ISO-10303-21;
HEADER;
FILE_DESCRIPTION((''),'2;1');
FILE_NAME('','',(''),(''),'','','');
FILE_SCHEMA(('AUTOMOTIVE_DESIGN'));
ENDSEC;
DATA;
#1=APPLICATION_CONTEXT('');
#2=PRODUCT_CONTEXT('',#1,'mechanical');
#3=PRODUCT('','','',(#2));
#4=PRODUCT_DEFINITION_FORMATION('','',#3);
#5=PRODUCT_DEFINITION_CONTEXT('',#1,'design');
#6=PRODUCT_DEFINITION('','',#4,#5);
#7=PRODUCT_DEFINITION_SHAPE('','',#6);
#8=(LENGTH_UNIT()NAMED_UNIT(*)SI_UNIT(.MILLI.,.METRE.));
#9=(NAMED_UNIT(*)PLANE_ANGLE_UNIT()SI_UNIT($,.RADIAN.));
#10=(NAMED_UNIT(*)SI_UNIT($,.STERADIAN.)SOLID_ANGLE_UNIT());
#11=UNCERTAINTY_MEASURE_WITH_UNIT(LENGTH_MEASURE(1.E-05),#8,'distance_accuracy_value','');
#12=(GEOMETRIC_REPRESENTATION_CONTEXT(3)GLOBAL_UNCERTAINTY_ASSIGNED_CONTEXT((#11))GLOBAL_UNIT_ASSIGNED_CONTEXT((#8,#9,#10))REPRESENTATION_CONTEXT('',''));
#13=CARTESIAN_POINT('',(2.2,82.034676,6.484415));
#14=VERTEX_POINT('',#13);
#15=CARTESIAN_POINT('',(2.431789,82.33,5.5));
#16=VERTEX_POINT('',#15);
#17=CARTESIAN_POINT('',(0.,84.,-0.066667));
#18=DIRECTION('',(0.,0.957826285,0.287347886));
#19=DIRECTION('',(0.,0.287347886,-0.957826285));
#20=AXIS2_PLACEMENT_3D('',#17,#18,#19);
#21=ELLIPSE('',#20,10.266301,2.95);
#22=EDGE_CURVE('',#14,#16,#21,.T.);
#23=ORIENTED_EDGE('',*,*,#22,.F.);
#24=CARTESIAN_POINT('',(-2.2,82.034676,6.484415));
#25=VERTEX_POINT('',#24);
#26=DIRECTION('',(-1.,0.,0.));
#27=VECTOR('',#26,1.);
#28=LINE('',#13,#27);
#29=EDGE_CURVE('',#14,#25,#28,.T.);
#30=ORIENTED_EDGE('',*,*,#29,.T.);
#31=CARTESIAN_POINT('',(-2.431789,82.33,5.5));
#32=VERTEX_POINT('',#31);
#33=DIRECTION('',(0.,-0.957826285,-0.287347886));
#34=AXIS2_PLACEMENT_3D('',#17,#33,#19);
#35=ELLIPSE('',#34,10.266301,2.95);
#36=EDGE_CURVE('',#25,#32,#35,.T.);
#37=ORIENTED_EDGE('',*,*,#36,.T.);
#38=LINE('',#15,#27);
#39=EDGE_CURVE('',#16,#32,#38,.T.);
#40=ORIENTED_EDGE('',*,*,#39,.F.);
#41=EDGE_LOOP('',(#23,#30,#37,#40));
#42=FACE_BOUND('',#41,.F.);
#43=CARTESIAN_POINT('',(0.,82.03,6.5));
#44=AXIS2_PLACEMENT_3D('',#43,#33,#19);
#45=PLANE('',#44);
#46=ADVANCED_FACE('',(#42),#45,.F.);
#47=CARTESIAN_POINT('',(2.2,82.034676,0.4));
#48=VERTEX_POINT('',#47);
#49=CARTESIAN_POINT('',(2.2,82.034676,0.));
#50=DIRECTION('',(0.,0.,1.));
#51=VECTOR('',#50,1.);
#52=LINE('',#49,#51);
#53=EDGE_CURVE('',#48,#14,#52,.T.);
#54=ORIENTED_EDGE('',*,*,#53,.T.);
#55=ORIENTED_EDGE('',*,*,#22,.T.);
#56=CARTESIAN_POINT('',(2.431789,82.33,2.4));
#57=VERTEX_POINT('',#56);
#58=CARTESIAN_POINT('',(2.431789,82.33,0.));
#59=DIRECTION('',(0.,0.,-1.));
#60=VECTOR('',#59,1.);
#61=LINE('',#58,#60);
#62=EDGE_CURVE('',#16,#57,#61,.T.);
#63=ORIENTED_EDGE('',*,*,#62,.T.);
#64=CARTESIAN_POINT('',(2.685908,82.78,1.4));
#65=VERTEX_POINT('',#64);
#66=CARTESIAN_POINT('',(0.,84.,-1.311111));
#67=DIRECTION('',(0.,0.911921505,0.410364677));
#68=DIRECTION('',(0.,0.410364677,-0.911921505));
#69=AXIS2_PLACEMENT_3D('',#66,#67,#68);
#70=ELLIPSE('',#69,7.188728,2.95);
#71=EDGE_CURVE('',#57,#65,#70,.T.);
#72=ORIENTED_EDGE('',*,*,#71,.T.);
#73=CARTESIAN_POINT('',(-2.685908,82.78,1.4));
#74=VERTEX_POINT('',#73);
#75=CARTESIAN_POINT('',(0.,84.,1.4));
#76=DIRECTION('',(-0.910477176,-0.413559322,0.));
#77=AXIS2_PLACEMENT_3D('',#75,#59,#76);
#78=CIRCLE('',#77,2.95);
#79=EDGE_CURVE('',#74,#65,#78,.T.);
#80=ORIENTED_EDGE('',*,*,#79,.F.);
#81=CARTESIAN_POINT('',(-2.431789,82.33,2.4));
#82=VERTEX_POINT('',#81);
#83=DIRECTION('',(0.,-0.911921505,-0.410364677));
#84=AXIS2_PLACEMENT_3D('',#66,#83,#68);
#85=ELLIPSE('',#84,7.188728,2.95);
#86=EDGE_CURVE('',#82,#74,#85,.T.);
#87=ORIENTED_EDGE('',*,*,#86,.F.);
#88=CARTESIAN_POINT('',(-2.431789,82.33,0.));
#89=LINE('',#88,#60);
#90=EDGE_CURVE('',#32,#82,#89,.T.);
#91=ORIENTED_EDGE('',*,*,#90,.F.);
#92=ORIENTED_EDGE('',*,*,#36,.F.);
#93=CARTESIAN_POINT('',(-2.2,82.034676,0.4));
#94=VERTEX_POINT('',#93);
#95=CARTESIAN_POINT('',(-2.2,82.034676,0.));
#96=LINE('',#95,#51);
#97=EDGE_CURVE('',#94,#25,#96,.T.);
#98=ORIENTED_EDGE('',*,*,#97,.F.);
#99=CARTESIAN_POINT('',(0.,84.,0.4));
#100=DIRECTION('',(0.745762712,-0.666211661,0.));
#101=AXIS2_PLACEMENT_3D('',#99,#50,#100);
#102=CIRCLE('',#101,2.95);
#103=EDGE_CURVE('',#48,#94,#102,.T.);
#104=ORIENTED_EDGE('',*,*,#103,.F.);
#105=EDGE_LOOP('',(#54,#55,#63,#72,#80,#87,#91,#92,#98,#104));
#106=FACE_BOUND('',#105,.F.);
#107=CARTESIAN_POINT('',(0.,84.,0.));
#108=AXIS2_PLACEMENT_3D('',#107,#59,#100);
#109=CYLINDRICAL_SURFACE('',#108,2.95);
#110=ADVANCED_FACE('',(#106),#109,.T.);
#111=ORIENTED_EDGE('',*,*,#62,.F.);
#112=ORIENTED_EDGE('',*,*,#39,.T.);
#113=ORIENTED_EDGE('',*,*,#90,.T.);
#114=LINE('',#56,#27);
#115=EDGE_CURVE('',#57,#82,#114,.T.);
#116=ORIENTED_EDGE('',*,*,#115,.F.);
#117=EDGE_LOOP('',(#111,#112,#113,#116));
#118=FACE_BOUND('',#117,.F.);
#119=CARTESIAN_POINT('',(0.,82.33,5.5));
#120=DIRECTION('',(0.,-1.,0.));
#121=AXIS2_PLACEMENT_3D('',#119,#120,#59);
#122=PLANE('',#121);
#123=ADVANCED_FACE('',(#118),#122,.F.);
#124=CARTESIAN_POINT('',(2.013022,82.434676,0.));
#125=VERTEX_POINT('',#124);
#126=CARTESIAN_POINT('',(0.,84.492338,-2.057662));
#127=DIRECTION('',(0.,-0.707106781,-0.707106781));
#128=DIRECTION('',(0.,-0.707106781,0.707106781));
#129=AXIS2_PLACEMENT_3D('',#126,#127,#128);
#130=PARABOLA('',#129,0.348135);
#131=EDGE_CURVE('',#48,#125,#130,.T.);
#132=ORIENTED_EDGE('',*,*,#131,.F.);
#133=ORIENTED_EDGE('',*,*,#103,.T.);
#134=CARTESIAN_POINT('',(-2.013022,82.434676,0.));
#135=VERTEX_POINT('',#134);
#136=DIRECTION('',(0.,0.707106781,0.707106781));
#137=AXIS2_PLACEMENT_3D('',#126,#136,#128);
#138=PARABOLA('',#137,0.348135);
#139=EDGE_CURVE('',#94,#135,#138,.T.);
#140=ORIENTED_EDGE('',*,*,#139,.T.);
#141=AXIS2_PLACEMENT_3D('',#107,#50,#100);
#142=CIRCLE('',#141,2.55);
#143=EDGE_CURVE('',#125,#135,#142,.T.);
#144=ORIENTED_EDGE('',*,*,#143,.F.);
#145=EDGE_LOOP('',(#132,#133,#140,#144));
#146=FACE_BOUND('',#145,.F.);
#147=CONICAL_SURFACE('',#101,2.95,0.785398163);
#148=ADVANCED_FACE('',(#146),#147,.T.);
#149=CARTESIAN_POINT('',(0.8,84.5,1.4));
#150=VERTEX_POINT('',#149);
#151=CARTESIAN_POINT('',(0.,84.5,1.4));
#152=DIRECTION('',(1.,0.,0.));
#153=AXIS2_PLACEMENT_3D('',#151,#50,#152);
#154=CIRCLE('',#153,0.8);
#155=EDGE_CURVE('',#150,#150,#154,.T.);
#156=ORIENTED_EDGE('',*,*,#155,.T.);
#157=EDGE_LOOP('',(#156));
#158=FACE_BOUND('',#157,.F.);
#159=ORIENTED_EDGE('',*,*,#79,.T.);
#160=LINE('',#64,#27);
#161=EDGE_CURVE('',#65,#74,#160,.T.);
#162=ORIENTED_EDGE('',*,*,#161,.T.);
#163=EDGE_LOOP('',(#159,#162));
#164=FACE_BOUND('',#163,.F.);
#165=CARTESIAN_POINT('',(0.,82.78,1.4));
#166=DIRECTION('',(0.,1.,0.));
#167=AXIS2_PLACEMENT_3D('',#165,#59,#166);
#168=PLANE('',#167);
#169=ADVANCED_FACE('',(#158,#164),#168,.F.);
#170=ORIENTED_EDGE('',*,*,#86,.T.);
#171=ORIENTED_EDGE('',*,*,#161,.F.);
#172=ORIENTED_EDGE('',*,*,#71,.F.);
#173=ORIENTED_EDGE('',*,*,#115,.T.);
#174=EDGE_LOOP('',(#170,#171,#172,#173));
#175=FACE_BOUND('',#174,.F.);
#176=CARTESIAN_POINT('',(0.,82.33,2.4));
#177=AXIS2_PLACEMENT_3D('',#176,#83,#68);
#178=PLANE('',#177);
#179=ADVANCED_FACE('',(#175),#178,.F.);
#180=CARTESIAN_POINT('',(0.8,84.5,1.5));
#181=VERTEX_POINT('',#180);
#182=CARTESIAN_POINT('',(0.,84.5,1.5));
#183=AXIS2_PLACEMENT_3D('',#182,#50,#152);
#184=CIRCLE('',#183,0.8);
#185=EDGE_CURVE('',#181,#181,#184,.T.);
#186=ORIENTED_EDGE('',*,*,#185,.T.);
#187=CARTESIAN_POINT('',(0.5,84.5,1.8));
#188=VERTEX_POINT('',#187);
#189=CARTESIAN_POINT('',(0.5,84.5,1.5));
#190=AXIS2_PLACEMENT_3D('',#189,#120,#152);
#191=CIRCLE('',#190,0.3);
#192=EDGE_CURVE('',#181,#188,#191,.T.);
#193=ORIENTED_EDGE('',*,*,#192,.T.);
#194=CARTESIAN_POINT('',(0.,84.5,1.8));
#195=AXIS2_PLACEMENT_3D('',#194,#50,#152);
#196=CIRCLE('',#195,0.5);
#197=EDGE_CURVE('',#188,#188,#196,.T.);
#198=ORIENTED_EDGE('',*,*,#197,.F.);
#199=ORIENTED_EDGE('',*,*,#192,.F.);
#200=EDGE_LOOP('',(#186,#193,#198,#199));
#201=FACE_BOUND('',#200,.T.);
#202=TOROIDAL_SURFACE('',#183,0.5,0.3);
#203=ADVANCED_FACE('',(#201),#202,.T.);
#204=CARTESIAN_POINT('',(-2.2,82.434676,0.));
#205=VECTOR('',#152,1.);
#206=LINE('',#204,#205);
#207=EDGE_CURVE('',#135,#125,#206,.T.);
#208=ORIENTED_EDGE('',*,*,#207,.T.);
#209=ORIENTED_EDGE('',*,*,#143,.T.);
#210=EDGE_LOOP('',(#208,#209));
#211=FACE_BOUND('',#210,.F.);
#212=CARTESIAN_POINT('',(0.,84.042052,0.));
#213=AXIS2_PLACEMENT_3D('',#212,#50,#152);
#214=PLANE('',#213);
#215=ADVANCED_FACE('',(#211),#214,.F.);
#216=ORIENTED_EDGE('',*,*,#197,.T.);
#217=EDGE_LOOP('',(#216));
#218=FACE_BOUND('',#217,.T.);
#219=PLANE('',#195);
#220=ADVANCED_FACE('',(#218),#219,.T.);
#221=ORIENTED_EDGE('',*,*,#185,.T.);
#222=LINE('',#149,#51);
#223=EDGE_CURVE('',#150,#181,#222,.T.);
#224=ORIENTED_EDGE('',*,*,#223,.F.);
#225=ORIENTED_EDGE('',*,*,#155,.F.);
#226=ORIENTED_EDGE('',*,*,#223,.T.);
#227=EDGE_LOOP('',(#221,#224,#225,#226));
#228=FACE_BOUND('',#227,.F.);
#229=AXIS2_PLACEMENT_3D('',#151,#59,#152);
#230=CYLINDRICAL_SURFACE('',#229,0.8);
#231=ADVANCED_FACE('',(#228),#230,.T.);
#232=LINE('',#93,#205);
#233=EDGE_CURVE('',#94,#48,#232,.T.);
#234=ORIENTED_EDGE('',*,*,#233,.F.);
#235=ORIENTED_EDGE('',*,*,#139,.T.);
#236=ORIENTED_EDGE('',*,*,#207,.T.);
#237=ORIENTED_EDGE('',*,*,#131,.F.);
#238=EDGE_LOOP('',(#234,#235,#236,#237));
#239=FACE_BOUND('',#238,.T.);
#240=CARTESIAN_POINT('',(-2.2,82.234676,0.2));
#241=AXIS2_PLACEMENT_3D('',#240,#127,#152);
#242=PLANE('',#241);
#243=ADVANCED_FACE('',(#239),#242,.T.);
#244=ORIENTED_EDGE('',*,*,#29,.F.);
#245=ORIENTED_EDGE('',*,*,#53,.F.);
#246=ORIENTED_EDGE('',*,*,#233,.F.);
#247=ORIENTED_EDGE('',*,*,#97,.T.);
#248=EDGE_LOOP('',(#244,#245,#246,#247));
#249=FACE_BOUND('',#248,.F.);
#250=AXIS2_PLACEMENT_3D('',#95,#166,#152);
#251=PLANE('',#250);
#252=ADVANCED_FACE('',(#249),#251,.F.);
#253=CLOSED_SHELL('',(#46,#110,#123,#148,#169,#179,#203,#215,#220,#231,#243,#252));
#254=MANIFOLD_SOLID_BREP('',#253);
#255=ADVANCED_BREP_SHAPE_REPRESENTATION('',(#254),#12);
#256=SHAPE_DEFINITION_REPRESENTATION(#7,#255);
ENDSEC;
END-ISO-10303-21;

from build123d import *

# Parameters (mm, degrees)
PAD008_DEPTH         = 6.5
POCKET007_DEPTH      = 2.951
POCKET007_DEPTH_BACK = 2.951
SKETCH023_R          = 0.8
PAD009_DEPTH         = 0.4
FILLET001_R          = 0.3
CHAMFER007_SIZE      = 0.4


with BuildPart() as part:
    # Sketch022 → Pad008 (new body)
    with BuildSketch(Plane.XY):
        with BuildLine():
            ThreePointArc((2.2, -1.9653244007), (0, 2.95), (-2.2, -1.9653244007))
            Line((-2.2, -1.9653244007), (2.2, -1.9653244007))
        make_face()
    extrude(amount=PAD008_DEPTH)

    # Sketch024 → Pocket007 (cut, two sides)
    with BuildSketch(Plane.YZ) as pocket007_sk:
        Polygon((-1.97, 6.5), (-1.67, 5.5), (-1.67, 2.4), (-1.22, 1.4), (4, 1.4), (4, 6.5), align=None)
    extrude(amount=-POCKET007_DEPTH, mode=Mode.SUBTRACT)
    extrude(pocket007_sk.sketch, amount=POCKET007_DEPTH_BACK, mode=Mode.SUBTRACT)

    # Sketch023 (on Face7 of Pocket007) → Pad009 (join)
    with BuildSketch(Plane.XY.offset(1.4)):
        with Locations((0, 0.5)):
            Circle(SKETCH023_R)
    extrude(amount=PAD009_DEPTH)

    # Fillet001
    fillet001_edges = [part.edges().sort_by_distance(p)[0] for p in [
        (-0.8, 0.5, 1.8),
    ]]
    fillet(fillet001_edges, radius=FILLET001_R)

    # Chamfer007
    chamfer007_edges = [part.edges().sort_by_distance(p)[0] for p in [
        (0, 2.95, 0),
        (0, -1.965324, 0),
    ]]
    chamfer(chamfer007_edges, length=CHAMFER007_SIZE)


with BuildPart() as part_1:
    # Body094 placement: moved
    add(part.part.moved(Location((0, 84, 0))))


solid = part_1.part
